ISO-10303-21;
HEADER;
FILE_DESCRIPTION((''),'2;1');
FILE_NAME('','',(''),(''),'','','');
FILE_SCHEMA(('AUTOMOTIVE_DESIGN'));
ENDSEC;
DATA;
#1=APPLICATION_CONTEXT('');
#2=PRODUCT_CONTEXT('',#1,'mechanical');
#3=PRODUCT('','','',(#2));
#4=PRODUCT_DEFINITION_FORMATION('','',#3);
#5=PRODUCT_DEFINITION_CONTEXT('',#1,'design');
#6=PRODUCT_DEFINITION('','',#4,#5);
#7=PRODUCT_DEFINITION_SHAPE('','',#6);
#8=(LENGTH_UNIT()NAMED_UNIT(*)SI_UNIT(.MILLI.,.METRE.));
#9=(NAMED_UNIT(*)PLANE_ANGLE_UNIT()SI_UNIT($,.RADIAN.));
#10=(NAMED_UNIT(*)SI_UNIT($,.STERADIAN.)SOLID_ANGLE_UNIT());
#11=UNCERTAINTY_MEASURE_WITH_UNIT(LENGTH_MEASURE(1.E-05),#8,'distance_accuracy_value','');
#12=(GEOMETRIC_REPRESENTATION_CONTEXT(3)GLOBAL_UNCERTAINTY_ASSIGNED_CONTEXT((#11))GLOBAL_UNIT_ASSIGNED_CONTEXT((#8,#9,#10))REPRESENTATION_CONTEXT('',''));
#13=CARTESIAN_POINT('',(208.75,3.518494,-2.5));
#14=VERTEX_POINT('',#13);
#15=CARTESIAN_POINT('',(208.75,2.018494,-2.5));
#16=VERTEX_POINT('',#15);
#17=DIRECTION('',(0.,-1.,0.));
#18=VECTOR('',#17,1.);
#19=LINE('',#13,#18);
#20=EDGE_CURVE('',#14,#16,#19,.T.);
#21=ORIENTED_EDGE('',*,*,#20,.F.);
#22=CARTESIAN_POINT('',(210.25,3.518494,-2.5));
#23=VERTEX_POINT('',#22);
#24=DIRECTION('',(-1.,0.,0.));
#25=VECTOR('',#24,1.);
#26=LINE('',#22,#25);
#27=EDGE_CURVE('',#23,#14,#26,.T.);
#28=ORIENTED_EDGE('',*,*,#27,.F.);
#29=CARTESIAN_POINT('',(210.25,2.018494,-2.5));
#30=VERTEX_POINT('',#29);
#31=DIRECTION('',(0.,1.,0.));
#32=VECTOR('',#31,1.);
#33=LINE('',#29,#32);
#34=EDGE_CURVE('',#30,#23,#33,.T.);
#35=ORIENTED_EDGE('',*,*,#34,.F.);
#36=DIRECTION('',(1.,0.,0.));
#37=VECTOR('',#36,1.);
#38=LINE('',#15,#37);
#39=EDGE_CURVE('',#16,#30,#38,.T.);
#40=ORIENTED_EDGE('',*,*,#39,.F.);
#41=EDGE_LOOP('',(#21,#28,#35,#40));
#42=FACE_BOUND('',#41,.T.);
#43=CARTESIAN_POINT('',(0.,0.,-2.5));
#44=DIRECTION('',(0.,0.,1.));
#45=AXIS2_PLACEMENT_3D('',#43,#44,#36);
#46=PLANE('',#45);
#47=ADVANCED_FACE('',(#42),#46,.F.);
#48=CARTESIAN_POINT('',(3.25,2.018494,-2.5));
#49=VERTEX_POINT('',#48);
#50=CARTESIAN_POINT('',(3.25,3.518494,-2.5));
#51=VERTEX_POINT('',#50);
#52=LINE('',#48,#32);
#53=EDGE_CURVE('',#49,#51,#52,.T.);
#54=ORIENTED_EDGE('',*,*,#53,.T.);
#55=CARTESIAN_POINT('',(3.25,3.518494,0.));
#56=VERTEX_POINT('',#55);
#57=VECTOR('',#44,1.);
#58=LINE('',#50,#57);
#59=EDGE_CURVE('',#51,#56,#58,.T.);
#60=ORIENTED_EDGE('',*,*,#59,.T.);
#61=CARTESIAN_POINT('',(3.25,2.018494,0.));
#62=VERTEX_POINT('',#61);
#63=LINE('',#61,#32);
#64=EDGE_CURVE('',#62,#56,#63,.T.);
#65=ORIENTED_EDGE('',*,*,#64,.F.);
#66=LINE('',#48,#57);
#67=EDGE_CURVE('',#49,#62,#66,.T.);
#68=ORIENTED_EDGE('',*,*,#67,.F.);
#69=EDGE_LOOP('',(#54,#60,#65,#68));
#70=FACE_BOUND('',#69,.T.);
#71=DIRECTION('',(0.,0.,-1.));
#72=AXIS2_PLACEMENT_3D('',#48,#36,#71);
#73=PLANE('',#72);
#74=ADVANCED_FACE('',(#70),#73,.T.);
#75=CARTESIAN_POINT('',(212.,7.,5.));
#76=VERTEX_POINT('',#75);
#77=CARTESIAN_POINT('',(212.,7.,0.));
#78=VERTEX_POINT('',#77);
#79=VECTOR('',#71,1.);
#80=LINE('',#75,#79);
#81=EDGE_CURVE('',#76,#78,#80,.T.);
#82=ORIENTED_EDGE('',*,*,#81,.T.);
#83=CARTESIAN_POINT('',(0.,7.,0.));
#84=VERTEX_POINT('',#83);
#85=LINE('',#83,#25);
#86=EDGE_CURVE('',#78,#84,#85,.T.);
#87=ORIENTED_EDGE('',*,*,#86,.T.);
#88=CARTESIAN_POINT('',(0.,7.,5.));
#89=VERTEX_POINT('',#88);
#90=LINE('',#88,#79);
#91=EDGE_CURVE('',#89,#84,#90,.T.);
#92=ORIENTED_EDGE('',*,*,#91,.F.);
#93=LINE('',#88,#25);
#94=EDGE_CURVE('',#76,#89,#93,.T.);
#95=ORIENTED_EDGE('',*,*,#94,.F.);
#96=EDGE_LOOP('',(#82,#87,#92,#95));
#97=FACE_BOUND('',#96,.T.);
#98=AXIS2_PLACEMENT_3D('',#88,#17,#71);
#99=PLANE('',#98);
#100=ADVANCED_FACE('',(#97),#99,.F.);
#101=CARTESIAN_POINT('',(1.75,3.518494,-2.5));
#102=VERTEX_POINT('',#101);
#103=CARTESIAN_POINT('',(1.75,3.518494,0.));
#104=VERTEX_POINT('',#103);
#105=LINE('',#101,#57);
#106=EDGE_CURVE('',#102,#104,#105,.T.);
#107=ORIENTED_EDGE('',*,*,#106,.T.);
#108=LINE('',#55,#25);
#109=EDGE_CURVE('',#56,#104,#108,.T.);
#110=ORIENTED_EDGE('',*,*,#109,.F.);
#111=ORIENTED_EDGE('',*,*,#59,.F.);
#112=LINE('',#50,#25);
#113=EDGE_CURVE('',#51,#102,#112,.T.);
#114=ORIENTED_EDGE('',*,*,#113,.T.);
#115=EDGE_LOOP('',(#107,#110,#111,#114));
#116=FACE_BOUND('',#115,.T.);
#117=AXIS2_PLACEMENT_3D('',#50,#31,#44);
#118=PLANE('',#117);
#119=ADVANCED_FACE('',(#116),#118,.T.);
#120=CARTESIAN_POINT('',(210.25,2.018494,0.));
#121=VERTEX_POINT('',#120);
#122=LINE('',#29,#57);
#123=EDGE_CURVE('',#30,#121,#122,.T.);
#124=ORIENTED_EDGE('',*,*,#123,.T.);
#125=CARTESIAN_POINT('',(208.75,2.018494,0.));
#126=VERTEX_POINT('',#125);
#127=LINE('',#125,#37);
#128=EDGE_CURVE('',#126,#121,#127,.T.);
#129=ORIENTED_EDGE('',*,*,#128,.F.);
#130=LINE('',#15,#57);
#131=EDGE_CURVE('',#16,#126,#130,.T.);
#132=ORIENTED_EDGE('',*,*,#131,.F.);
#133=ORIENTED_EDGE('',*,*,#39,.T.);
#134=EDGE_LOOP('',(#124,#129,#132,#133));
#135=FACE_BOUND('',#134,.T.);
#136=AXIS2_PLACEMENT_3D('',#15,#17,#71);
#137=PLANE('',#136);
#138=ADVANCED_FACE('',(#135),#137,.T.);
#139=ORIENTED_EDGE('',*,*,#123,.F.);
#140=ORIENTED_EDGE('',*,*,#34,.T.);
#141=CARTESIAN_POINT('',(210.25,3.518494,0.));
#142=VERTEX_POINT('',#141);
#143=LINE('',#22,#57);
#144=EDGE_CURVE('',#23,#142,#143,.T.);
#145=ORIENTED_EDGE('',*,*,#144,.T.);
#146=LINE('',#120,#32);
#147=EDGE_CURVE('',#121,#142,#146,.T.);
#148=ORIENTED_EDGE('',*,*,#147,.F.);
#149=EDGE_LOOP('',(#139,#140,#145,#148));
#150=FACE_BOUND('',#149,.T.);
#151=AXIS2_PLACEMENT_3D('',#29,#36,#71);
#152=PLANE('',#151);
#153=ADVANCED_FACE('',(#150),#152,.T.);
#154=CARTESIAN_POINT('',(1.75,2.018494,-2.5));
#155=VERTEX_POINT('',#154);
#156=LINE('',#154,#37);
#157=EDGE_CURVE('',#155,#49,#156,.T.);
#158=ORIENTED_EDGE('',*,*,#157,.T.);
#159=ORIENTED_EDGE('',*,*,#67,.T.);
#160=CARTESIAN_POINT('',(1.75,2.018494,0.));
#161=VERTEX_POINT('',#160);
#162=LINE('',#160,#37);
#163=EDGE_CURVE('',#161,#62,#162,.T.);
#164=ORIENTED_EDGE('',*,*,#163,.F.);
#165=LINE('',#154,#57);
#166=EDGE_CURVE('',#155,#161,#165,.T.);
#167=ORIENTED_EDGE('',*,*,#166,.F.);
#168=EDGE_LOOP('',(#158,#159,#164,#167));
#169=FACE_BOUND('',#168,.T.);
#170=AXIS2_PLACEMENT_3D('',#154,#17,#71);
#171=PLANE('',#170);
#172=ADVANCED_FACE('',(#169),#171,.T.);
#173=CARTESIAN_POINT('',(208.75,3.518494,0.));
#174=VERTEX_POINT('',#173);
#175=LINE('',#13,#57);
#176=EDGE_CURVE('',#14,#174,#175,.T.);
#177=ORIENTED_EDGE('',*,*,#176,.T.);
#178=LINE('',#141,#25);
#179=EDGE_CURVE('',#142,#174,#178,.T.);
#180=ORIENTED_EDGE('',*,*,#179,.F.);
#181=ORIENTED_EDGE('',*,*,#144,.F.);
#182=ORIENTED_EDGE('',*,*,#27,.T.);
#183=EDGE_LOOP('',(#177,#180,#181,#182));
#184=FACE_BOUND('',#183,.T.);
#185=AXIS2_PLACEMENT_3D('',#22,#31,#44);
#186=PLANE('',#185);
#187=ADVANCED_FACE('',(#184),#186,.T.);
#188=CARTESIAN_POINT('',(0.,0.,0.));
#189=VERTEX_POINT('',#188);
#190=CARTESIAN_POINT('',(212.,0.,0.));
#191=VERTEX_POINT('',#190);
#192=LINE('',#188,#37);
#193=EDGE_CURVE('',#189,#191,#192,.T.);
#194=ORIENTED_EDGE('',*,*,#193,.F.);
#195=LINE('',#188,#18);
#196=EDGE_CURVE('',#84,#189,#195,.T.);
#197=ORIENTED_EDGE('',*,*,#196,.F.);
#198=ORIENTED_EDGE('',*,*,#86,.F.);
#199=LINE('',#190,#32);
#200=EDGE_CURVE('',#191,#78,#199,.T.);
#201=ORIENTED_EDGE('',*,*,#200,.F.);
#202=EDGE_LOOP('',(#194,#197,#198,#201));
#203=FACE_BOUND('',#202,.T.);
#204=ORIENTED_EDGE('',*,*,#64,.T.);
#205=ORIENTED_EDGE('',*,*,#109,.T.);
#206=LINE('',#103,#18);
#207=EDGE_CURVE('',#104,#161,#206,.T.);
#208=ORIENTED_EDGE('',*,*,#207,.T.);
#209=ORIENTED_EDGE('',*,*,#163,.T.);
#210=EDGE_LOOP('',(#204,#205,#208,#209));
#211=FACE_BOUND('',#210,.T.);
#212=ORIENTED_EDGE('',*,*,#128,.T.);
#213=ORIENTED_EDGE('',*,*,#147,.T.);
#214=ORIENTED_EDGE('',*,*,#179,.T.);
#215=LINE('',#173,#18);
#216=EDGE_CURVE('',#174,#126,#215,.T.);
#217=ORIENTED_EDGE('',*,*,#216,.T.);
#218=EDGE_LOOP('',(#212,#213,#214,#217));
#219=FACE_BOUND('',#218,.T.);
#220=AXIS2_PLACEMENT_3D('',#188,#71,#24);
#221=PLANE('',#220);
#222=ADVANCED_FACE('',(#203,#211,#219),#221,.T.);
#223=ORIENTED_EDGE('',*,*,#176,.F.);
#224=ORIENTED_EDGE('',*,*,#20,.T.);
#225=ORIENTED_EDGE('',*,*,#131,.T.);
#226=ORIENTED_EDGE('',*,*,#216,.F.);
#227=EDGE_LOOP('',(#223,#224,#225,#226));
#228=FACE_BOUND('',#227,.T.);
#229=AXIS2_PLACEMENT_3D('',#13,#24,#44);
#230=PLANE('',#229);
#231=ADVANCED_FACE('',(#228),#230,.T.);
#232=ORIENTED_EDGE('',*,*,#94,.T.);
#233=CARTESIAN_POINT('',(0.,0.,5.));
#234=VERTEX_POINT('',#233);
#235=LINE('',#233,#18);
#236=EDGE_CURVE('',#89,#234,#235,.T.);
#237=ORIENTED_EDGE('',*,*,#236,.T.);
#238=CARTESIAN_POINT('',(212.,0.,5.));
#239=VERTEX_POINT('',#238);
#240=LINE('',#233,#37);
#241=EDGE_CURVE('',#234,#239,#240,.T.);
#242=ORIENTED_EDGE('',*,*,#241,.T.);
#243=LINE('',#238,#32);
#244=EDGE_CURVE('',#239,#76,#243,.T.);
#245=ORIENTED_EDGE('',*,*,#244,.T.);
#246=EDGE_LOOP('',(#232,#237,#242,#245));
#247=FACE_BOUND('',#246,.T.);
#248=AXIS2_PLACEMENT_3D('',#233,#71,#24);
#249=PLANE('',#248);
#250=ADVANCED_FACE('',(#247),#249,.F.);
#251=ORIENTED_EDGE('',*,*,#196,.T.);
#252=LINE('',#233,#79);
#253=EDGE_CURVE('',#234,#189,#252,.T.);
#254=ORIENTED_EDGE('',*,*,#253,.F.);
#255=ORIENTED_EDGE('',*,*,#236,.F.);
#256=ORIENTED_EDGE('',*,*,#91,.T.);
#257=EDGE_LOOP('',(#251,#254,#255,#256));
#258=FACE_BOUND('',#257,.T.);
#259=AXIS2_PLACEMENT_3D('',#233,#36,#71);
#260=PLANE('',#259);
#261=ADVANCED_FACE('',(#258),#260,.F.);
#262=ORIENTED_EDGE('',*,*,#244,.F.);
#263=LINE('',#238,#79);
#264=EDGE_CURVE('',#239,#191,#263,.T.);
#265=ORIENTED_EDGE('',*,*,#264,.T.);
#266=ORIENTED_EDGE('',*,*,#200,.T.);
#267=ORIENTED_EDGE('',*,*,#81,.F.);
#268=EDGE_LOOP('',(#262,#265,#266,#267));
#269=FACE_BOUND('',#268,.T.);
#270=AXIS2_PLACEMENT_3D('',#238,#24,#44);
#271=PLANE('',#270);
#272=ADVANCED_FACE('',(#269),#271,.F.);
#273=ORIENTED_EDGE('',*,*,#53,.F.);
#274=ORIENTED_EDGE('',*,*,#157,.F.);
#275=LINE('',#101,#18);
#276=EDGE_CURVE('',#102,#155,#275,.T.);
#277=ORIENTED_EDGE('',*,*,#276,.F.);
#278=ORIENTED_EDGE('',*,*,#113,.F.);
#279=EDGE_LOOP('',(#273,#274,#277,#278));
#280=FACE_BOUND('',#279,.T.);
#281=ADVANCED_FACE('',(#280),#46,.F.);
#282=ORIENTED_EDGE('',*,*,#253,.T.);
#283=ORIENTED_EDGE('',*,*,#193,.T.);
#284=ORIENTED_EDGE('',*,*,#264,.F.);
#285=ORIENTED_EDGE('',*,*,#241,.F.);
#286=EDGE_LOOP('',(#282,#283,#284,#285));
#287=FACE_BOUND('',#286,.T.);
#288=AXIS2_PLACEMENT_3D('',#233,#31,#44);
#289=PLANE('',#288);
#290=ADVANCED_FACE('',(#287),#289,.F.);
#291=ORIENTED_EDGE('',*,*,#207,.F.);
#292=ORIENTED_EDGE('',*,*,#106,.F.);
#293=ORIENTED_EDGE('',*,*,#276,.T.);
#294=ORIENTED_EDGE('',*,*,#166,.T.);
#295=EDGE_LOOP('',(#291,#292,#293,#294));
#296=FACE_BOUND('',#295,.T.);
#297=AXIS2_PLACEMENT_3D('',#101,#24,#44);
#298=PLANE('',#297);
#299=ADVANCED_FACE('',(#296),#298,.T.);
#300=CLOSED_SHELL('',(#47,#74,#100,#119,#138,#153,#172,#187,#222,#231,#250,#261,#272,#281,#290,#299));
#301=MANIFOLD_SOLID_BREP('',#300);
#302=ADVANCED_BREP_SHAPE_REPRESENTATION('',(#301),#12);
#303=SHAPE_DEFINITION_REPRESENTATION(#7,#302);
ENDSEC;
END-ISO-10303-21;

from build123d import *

# Parameters (mm, degrees)
SKETCH1_W           = 212
SKETCH1_H           = 7
BOSS_EXTRUDE1_DEPTH = 5
SKETCH2_W           = 1.5
SKETCH2_H           = 1.5
BOSS_EXTRUDE2_DEPTH = 2.5


with BuildPart() as part:
    # Sketch1 → Boss-Extrude1 (new body)
    with BuildSketch(Plane.XY):
        with Locations((106, 3.5)):
            Rectangle(SKETCH1_W, SKETCH1_H)
    extrude(amount=BOSS_EXTRUDE1_DEPTH)

    # Sketch2 → Boss-Extrude2 (add)
    with BuildSketch(Plane(origin=(0, 0, 0), x_dir=(-1, 0, 0), z_dir=(0, 0, -1))):
        with Locations((-2.5, 2.76849414)):
            Rectangle(SKETCH2_W, SKETCH2_H)
        with Locations((-209.5, 2.76849414)):
            Rectangle(SKETCH2_W, SKETCH2_H)
    extrude(amount=BOSS_EXTRUDE2_DEPTH)


solid = part.part
